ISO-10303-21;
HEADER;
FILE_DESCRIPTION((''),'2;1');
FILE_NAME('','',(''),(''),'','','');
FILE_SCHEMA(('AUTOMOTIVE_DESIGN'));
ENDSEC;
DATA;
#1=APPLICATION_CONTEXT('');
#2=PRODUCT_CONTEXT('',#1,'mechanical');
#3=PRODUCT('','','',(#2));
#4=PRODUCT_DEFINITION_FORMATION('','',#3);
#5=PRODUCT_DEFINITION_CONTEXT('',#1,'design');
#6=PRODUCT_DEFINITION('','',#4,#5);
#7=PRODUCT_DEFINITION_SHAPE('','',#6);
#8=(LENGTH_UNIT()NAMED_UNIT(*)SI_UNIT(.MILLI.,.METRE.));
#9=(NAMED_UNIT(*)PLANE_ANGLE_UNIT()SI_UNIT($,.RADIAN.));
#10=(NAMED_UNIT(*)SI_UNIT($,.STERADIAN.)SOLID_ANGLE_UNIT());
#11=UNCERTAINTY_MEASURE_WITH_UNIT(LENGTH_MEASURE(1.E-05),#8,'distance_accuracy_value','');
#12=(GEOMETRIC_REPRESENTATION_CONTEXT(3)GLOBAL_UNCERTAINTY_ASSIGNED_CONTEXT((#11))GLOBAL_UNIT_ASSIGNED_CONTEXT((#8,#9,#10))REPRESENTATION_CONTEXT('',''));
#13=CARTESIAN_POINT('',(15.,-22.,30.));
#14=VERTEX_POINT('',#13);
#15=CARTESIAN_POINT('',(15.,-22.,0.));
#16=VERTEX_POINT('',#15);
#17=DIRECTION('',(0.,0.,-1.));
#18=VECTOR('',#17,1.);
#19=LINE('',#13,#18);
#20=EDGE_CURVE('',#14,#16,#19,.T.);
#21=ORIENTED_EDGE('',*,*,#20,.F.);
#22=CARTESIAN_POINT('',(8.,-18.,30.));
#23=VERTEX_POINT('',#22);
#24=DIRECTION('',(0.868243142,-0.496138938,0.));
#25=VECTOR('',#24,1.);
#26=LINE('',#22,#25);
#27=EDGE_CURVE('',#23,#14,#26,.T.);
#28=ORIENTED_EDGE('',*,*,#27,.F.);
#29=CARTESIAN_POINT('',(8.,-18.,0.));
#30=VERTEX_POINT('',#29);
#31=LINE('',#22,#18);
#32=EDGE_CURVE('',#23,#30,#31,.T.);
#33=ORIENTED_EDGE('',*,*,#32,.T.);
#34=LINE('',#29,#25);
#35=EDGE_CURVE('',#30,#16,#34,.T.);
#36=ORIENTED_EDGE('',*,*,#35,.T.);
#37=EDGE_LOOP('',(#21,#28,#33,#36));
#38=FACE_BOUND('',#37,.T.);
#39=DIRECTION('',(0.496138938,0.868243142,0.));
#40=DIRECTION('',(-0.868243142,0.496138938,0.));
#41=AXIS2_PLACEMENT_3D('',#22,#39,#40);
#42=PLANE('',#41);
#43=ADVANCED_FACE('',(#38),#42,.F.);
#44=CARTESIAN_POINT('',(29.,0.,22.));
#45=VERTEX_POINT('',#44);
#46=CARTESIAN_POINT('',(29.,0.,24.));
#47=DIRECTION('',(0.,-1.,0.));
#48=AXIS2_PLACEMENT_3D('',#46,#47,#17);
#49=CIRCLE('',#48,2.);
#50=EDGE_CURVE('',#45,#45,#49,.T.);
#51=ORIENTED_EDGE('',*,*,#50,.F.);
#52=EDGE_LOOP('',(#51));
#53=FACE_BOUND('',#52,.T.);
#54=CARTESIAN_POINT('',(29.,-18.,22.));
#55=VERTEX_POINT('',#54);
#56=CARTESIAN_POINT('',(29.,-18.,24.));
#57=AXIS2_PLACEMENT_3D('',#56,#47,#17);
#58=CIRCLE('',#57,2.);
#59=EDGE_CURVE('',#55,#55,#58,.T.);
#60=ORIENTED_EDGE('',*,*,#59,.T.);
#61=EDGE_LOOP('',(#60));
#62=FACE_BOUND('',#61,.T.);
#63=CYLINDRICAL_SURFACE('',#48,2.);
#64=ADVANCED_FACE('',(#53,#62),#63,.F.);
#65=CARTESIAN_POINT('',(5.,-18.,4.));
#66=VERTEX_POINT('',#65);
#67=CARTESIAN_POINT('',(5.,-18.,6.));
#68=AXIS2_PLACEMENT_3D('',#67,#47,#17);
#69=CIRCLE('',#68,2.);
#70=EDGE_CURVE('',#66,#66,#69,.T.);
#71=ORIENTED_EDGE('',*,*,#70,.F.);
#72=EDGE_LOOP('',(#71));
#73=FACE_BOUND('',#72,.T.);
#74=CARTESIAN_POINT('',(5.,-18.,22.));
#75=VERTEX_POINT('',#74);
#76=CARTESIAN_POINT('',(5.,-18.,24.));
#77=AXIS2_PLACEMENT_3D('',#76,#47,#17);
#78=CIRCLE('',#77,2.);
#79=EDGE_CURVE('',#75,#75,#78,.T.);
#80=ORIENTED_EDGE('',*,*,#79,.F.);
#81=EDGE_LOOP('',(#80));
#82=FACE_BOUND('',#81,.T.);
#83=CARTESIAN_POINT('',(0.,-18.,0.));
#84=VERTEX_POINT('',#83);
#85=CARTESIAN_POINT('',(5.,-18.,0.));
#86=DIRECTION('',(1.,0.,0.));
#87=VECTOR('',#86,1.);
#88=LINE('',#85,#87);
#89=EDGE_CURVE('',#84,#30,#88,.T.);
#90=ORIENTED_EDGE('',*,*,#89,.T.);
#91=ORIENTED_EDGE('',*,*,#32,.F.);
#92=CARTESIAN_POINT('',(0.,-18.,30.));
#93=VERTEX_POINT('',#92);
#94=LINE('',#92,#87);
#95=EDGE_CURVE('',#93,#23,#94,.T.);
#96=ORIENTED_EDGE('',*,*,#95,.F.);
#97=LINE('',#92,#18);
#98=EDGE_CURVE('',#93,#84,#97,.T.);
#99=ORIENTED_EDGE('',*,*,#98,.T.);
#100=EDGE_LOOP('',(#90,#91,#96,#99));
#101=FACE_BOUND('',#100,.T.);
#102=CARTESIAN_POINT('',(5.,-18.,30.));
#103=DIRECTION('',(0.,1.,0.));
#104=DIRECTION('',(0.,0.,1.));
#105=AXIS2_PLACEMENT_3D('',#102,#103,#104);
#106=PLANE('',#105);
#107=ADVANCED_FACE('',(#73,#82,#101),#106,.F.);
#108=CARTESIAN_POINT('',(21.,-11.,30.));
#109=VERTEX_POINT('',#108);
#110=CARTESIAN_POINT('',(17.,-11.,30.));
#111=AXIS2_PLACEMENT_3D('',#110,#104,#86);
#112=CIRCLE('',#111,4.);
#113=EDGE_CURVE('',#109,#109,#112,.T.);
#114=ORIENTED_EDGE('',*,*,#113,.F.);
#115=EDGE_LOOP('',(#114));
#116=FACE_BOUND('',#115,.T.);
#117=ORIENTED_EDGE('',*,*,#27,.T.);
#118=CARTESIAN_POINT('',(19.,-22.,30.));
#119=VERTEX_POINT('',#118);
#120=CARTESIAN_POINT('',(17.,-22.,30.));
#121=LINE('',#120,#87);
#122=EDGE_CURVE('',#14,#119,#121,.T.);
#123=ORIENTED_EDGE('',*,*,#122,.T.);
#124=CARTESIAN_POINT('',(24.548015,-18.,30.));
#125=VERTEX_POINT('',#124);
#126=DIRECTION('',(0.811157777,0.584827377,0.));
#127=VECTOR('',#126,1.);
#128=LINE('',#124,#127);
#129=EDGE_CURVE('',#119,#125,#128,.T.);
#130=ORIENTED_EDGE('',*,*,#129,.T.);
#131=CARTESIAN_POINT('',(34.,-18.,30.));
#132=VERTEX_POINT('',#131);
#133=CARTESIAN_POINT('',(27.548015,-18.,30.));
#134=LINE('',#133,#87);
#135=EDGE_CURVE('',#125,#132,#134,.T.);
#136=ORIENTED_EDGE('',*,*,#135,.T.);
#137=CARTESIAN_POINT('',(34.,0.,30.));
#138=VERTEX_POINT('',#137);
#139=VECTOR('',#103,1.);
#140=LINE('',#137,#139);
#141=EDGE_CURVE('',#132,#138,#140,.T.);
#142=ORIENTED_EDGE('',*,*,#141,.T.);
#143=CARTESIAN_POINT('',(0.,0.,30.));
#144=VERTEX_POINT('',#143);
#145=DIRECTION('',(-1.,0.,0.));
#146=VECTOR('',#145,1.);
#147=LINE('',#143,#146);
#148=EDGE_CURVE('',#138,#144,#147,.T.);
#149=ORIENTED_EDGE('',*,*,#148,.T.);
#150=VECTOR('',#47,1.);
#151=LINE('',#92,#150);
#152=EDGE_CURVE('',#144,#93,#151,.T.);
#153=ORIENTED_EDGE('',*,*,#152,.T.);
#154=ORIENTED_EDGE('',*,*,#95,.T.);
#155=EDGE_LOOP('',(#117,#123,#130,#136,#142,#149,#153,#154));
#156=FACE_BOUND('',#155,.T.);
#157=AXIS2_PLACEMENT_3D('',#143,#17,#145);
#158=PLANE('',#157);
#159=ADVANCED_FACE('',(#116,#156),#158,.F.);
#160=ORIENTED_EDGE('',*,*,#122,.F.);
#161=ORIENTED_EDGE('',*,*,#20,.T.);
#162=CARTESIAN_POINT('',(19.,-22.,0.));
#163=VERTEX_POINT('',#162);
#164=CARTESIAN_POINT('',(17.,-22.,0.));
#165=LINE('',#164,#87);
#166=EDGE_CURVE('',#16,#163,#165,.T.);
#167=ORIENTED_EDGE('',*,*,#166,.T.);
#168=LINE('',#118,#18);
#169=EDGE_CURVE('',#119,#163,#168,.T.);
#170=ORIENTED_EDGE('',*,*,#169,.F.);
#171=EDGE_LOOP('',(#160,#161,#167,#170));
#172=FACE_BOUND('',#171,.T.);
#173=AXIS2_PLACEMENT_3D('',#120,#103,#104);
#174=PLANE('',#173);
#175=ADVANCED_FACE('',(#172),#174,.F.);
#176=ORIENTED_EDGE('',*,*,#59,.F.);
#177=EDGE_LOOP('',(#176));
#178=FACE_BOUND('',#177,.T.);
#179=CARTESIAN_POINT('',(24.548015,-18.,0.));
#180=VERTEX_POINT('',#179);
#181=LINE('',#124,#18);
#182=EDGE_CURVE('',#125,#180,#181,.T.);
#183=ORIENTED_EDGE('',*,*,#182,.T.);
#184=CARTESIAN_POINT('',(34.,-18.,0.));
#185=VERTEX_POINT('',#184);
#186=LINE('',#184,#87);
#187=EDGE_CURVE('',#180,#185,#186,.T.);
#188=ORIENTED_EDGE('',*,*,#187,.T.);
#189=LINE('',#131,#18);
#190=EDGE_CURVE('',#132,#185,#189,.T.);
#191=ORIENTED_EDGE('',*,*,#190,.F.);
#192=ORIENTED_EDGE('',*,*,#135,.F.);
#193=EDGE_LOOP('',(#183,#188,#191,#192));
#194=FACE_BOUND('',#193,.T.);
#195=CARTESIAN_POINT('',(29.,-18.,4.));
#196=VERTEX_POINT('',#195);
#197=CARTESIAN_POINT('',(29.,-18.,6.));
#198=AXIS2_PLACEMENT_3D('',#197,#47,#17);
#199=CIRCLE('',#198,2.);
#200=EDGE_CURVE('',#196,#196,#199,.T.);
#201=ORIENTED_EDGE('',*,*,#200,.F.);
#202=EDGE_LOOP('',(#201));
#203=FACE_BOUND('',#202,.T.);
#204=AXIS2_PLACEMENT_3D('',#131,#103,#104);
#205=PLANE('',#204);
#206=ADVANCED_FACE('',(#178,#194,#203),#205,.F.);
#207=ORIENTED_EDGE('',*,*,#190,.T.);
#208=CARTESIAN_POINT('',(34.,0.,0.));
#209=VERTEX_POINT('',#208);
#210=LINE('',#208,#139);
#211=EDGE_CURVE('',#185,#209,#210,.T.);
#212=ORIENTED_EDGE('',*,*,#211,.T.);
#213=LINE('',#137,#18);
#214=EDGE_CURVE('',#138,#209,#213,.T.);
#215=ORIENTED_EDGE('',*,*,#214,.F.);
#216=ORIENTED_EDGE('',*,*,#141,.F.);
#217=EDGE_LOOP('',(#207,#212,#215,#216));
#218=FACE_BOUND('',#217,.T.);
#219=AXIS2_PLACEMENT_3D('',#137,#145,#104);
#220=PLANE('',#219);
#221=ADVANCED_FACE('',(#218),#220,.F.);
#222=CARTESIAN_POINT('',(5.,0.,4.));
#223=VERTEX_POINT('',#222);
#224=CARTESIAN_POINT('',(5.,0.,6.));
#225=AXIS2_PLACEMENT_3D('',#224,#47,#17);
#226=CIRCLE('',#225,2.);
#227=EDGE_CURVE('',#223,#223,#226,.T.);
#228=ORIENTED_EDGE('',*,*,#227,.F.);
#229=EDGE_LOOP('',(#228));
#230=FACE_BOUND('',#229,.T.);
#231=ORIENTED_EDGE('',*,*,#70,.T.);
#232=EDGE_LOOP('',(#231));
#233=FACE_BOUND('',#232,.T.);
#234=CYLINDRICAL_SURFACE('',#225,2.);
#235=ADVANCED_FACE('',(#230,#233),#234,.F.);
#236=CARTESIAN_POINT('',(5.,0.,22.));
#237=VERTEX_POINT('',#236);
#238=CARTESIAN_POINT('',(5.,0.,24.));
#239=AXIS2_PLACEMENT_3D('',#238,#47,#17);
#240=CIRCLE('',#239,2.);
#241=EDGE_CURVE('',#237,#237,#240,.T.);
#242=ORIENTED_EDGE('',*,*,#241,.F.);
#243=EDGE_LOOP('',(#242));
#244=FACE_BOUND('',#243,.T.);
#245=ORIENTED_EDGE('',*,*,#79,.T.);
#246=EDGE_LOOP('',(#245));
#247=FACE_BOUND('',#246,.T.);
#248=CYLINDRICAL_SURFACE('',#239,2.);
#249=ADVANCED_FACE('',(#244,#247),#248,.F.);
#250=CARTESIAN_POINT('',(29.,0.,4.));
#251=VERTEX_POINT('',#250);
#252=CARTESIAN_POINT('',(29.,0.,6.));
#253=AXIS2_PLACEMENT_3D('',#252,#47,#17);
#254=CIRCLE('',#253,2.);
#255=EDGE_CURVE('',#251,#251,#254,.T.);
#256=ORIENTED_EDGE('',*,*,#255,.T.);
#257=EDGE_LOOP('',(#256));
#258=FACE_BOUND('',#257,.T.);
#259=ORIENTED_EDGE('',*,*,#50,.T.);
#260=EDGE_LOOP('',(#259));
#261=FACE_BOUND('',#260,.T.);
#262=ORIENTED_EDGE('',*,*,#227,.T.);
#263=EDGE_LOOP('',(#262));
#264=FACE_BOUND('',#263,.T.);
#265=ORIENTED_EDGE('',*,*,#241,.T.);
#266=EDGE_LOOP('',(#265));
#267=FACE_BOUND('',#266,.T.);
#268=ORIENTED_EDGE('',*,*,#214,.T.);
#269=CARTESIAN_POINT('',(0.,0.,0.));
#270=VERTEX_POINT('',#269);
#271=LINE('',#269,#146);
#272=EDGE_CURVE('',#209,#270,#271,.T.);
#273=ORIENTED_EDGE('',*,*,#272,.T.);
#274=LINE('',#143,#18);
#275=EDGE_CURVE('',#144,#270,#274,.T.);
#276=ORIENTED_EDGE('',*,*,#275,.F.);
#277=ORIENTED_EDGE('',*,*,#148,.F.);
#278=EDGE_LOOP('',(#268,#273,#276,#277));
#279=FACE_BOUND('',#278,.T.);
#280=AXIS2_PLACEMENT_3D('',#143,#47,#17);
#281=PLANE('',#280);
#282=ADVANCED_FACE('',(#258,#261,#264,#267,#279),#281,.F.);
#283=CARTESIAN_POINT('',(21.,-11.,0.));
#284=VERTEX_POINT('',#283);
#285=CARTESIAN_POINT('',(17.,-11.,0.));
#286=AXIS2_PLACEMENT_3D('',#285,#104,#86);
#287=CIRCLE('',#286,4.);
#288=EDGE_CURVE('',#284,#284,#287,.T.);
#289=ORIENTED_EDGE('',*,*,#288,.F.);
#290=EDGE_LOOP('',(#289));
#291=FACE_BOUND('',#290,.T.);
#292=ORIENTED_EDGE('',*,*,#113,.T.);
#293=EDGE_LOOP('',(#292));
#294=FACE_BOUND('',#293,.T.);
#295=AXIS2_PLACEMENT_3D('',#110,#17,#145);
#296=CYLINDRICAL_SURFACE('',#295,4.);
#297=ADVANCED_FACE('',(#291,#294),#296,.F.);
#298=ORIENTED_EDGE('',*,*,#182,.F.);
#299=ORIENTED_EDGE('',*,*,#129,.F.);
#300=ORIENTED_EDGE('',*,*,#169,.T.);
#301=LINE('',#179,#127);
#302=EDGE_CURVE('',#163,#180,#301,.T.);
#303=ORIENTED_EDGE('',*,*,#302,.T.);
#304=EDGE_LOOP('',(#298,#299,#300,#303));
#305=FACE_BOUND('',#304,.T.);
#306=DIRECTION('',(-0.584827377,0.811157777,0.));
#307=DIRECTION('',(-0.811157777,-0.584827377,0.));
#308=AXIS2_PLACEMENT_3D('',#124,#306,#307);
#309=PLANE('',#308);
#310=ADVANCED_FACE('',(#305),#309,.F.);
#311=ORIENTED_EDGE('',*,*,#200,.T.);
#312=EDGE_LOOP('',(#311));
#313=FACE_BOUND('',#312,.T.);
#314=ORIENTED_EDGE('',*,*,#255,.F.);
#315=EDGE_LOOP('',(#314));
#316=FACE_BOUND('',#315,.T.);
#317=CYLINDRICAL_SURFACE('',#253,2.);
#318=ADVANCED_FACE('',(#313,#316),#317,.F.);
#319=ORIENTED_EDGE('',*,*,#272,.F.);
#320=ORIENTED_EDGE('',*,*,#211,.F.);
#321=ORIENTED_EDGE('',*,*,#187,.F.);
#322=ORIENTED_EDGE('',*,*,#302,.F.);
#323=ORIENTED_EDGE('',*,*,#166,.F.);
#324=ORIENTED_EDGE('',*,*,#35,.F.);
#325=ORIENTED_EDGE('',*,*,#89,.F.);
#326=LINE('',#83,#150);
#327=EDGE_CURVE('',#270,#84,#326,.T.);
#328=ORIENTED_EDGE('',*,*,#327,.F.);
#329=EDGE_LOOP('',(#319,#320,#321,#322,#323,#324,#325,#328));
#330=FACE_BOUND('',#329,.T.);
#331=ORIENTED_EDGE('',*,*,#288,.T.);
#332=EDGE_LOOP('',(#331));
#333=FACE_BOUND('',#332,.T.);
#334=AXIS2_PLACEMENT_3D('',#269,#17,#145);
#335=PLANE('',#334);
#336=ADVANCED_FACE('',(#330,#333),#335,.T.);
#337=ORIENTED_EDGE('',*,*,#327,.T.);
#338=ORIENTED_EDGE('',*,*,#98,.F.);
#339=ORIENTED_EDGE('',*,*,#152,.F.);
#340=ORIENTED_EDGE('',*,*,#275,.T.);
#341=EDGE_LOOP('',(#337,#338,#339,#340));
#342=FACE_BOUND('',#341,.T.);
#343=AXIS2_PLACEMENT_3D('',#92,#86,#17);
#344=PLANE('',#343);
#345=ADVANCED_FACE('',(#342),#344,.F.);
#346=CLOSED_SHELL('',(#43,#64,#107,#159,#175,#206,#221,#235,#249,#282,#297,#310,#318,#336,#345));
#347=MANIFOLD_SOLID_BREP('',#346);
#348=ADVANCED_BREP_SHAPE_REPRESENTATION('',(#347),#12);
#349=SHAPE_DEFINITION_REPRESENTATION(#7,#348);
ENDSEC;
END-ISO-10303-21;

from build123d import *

# Parameters (mm, degrees)
SKETCH2_R           = 4
BOSS_EXTRUDE1_DEPTH = 30
SKETCH4_R           = 2
CUT_EXTRUDE1_DEPTH  = 19


with BuildPart() as part:
    # Sketch2 → Boss-Extrude1 (new body)
    with BuildSketch(Plane.XY):
        Polygon((0, 0), (34, 0), (34, -18), (27.548015077, -18), (24.548015077, -18), (19, -22), (17, -22), (15, -22), (8, -18), (5, -18), (0, -18), align=None)
        with Locations((17, -11)):
            Circle(SKETCH2_R, mode=Mode.SUBTRACT)
    extrude(amount=BOSS_EXTRUDE1_DEPTH)

    # Sketch4 → Cut-Extrude1 (cut, through all)
    with BuildSketch(Plane.XZ.offset(18)):
        with Locations((5, 6)):
            Circle(SKETCH4_R)
        with Locations((29, 6)):
            Circle(SKETCH4_R)
        with Locations((5, 24)):
            Circle(SKETCH4_R)
        with Locations((29, 24)):
            Circle(SKETCH4_R)
    extrude(amount=-CUT_EXTRUDE1_DEPTH, mode=Mode.SUBTRACT)


solid = part.part
